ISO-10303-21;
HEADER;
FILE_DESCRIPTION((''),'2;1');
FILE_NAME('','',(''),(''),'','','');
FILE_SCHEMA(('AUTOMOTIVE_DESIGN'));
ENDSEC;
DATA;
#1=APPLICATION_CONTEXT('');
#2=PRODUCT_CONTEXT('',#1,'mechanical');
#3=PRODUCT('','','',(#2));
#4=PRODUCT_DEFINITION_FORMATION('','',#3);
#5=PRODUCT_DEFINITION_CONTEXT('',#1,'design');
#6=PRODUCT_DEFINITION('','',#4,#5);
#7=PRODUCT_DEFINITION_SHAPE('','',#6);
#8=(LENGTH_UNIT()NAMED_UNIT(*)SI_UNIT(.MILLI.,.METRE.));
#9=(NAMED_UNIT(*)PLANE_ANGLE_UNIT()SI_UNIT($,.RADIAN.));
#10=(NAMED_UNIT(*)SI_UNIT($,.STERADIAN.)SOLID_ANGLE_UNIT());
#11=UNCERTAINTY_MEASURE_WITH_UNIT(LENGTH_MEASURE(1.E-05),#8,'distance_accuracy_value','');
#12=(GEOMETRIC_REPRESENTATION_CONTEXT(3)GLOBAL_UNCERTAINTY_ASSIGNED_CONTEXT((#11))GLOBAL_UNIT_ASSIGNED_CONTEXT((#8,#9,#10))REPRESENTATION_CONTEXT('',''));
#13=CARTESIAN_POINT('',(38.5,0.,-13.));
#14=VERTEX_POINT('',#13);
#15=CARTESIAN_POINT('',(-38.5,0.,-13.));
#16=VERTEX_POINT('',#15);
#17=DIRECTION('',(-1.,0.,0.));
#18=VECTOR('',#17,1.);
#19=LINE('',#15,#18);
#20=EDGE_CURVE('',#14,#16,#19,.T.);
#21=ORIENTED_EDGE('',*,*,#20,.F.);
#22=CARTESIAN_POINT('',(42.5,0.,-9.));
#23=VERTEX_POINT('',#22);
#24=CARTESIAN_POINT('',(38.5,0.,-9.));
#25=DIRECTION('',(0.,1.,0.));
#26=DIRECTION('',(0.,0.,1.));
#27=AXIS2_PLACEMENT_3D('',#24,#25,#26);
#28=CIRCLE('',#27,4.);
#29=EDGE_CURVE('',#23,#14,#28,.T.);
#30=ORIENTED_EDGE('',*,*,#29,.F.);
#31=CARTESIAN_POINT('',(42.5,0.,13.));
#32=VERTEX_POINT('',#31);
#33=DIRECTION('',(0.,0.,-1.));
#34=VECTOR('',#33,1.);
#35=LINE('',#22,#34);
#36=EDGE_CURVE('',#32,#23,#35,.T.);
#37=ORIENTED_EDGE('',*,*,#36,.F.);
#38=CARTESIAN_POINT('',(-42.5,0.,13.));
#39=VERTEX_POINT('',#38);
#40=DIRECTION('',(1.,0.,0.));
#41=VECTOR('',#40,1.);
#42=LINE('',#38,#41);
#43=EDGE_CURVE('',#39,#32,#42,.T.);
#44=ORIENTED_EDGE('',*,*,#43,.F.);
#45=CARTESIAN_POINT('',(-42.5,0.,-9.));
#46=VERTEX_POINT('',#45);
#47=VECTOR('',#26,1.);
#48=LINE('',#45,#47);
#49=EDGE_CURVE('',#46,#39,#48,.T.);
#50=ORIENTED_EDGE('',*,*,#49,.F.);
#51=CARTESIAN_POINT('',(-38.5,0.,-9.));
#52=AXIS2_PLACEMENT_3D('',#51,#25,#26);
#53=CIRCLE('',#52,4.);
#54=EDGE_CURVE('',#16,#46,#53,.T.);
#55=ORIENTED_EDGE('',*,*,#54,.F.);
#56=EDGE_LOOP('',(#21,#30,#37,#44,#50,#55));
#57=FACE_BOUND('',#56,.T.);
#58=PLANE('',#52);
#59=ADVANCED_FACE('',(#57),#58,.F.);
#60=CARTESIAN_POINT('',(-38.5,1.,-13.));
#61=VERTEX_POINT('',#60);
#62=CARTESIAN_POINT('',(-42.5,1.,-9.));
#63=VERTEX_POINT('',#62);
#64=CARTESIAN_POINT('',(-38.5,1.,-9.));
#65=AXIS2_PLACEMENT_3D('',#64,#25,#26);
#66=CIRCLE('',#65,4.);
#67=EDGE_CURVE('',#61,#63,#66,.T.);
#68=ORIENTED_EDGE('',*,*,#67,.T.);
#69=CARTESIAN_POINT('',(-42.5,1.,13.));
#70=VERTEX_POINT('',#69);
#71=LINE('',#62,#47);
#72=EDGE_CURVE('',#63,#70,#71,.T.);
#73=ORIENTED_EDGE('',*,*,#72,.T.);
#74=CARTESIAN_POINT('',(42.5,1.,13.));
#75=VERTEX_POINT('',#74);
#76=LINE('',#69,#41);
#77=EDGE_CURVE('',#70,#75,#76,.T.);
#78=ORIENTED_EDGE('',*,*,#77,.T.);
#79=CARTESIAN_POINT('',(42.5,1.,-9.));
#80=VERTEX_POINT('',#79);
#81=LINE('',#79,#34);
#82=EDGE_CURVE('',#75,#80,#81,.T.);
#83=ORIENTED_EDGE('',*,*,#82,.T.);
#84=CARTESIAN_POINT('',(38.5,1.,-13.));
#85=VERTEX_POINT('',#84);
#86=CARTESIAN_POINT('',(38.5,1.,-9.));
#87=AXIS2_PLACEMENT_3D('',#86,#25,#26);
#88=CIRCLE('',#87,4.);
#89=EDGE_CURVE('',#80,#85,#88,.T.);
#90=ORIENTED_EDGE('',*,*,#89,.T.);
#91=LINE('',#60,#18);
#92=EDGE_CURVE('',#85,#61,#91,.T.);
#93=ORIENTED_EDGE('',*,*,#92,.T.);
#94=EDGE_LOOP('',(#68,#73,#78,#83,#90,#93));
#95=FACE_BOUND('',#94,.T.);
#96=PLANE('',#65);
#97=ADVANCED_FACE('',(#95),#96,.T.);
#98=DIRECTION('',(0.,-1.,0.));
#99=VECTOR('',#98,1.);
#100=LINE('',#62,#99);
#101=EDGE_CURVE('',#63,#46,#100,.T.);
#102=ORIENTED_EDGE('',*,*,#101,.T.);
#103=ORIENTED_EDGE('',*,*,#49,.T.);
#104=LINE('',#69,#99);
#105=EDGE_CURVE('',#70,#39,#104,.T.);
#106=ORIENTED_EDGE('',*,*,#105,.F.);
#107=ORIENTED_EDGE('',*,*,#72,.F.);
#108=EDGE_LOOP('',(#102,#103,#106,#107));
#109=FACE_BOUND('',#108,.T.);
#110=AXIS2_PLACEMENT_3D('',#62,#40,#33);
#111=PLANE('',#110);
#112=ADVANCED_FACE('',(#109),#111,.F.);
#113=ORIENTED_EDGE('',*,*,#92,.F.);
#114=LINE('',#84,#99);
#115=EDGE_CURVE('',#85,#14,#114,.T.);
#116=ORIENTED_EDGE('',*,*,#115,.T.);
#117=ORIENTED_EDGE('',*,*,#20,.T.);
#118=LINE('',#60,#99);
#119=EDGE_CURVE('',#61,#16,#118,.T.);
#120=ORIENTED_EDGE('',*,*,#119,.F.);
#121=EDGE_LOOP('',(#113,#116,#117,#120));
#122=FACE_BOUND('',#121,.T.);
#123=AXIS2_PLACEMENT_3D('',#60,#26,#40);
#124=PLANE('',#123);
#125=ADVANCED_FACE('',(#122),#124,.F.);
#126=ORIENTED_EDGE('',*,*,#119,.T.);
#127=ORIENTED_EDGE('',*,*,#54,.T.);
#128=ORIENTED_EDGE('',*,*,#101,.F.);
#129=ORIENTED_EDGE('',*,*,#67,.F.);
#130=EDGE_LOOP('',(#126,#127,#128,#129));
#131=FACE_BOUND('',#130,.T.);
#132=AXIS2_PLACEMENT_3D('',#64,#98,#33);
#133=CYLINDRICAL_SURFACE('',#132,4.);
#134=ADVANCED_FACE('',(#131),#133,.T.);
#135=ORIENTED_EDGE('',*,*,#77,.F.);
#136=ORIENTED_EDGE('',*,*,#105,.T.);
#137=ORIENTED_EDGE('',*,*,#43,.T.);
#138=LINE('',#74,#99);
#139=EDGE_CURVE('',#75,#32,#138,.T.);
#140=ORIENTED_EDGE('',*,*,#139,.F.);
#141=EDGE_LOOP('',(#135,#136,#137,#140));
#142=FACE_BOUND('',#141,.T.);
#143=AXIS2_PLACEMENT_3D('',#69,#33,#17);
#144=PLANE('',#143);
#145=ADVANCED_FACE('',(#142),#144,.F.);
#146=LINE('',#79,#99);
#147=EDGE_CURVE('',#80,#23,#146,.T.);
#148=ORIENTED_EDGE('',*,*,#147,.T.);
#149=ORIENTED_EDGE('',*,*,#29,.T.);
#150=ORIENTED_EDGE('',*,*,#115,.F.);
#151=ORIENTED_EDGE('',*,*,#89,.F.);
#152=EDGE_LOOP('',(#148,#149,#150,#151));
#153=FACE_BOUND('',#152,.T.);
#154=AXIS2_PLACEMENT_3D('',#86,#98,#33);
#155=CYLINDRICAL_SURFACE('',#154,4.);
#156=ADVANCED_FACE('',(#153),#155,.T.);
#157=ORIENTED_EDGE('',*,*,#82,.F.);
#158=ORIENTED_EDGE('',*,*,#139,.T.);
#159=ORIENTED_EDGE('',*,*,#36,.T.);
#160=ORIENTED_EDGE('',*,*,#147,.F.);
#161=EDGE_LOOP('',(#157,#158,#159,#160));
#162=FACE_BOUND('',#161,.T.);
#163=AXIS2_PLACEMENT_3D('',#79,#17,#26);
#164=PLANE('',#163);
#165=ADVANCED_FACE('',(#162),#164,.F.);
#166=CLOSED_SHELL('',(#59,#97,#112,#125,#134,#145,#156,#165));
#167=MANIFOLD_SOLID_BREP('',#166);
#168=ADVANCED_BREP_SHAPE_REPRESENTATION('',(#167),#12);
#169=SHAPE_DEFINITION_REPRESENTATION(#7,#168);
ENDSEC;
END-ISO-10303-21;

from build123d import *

# Parameters (mm, degrees)
BOSS_EXTRUDE1_DEPTH = 1


with BuildPart() as part:
    # Sketch1 → Boss-Extrude1 (new body)
    with BuildSketch(Plane(origin=(0, 0, 0), x_dir=(1, 0, 0), z_dir=(0, 1, 0))):
        with BuildLine():
            Line((-38.5, 13), (38.5, 13))
            ThreePointArc((38.5, 13), (41.328427125, 11.828427125), (42.5, 9))
            Line((42.5, 9), (42.5, -13))
            Line((42.5, -13), (-42.5, -13))
            Line((-42.5, -13), (-42.5, 9))
            ThreePointArc((-42.5, 9), (-41.328427125, 11.828427125), (-38.5, 13))
        make_face()
    extrude(amount=BOSS_EXTRUDE1_DEPTH)


solid = part.part
